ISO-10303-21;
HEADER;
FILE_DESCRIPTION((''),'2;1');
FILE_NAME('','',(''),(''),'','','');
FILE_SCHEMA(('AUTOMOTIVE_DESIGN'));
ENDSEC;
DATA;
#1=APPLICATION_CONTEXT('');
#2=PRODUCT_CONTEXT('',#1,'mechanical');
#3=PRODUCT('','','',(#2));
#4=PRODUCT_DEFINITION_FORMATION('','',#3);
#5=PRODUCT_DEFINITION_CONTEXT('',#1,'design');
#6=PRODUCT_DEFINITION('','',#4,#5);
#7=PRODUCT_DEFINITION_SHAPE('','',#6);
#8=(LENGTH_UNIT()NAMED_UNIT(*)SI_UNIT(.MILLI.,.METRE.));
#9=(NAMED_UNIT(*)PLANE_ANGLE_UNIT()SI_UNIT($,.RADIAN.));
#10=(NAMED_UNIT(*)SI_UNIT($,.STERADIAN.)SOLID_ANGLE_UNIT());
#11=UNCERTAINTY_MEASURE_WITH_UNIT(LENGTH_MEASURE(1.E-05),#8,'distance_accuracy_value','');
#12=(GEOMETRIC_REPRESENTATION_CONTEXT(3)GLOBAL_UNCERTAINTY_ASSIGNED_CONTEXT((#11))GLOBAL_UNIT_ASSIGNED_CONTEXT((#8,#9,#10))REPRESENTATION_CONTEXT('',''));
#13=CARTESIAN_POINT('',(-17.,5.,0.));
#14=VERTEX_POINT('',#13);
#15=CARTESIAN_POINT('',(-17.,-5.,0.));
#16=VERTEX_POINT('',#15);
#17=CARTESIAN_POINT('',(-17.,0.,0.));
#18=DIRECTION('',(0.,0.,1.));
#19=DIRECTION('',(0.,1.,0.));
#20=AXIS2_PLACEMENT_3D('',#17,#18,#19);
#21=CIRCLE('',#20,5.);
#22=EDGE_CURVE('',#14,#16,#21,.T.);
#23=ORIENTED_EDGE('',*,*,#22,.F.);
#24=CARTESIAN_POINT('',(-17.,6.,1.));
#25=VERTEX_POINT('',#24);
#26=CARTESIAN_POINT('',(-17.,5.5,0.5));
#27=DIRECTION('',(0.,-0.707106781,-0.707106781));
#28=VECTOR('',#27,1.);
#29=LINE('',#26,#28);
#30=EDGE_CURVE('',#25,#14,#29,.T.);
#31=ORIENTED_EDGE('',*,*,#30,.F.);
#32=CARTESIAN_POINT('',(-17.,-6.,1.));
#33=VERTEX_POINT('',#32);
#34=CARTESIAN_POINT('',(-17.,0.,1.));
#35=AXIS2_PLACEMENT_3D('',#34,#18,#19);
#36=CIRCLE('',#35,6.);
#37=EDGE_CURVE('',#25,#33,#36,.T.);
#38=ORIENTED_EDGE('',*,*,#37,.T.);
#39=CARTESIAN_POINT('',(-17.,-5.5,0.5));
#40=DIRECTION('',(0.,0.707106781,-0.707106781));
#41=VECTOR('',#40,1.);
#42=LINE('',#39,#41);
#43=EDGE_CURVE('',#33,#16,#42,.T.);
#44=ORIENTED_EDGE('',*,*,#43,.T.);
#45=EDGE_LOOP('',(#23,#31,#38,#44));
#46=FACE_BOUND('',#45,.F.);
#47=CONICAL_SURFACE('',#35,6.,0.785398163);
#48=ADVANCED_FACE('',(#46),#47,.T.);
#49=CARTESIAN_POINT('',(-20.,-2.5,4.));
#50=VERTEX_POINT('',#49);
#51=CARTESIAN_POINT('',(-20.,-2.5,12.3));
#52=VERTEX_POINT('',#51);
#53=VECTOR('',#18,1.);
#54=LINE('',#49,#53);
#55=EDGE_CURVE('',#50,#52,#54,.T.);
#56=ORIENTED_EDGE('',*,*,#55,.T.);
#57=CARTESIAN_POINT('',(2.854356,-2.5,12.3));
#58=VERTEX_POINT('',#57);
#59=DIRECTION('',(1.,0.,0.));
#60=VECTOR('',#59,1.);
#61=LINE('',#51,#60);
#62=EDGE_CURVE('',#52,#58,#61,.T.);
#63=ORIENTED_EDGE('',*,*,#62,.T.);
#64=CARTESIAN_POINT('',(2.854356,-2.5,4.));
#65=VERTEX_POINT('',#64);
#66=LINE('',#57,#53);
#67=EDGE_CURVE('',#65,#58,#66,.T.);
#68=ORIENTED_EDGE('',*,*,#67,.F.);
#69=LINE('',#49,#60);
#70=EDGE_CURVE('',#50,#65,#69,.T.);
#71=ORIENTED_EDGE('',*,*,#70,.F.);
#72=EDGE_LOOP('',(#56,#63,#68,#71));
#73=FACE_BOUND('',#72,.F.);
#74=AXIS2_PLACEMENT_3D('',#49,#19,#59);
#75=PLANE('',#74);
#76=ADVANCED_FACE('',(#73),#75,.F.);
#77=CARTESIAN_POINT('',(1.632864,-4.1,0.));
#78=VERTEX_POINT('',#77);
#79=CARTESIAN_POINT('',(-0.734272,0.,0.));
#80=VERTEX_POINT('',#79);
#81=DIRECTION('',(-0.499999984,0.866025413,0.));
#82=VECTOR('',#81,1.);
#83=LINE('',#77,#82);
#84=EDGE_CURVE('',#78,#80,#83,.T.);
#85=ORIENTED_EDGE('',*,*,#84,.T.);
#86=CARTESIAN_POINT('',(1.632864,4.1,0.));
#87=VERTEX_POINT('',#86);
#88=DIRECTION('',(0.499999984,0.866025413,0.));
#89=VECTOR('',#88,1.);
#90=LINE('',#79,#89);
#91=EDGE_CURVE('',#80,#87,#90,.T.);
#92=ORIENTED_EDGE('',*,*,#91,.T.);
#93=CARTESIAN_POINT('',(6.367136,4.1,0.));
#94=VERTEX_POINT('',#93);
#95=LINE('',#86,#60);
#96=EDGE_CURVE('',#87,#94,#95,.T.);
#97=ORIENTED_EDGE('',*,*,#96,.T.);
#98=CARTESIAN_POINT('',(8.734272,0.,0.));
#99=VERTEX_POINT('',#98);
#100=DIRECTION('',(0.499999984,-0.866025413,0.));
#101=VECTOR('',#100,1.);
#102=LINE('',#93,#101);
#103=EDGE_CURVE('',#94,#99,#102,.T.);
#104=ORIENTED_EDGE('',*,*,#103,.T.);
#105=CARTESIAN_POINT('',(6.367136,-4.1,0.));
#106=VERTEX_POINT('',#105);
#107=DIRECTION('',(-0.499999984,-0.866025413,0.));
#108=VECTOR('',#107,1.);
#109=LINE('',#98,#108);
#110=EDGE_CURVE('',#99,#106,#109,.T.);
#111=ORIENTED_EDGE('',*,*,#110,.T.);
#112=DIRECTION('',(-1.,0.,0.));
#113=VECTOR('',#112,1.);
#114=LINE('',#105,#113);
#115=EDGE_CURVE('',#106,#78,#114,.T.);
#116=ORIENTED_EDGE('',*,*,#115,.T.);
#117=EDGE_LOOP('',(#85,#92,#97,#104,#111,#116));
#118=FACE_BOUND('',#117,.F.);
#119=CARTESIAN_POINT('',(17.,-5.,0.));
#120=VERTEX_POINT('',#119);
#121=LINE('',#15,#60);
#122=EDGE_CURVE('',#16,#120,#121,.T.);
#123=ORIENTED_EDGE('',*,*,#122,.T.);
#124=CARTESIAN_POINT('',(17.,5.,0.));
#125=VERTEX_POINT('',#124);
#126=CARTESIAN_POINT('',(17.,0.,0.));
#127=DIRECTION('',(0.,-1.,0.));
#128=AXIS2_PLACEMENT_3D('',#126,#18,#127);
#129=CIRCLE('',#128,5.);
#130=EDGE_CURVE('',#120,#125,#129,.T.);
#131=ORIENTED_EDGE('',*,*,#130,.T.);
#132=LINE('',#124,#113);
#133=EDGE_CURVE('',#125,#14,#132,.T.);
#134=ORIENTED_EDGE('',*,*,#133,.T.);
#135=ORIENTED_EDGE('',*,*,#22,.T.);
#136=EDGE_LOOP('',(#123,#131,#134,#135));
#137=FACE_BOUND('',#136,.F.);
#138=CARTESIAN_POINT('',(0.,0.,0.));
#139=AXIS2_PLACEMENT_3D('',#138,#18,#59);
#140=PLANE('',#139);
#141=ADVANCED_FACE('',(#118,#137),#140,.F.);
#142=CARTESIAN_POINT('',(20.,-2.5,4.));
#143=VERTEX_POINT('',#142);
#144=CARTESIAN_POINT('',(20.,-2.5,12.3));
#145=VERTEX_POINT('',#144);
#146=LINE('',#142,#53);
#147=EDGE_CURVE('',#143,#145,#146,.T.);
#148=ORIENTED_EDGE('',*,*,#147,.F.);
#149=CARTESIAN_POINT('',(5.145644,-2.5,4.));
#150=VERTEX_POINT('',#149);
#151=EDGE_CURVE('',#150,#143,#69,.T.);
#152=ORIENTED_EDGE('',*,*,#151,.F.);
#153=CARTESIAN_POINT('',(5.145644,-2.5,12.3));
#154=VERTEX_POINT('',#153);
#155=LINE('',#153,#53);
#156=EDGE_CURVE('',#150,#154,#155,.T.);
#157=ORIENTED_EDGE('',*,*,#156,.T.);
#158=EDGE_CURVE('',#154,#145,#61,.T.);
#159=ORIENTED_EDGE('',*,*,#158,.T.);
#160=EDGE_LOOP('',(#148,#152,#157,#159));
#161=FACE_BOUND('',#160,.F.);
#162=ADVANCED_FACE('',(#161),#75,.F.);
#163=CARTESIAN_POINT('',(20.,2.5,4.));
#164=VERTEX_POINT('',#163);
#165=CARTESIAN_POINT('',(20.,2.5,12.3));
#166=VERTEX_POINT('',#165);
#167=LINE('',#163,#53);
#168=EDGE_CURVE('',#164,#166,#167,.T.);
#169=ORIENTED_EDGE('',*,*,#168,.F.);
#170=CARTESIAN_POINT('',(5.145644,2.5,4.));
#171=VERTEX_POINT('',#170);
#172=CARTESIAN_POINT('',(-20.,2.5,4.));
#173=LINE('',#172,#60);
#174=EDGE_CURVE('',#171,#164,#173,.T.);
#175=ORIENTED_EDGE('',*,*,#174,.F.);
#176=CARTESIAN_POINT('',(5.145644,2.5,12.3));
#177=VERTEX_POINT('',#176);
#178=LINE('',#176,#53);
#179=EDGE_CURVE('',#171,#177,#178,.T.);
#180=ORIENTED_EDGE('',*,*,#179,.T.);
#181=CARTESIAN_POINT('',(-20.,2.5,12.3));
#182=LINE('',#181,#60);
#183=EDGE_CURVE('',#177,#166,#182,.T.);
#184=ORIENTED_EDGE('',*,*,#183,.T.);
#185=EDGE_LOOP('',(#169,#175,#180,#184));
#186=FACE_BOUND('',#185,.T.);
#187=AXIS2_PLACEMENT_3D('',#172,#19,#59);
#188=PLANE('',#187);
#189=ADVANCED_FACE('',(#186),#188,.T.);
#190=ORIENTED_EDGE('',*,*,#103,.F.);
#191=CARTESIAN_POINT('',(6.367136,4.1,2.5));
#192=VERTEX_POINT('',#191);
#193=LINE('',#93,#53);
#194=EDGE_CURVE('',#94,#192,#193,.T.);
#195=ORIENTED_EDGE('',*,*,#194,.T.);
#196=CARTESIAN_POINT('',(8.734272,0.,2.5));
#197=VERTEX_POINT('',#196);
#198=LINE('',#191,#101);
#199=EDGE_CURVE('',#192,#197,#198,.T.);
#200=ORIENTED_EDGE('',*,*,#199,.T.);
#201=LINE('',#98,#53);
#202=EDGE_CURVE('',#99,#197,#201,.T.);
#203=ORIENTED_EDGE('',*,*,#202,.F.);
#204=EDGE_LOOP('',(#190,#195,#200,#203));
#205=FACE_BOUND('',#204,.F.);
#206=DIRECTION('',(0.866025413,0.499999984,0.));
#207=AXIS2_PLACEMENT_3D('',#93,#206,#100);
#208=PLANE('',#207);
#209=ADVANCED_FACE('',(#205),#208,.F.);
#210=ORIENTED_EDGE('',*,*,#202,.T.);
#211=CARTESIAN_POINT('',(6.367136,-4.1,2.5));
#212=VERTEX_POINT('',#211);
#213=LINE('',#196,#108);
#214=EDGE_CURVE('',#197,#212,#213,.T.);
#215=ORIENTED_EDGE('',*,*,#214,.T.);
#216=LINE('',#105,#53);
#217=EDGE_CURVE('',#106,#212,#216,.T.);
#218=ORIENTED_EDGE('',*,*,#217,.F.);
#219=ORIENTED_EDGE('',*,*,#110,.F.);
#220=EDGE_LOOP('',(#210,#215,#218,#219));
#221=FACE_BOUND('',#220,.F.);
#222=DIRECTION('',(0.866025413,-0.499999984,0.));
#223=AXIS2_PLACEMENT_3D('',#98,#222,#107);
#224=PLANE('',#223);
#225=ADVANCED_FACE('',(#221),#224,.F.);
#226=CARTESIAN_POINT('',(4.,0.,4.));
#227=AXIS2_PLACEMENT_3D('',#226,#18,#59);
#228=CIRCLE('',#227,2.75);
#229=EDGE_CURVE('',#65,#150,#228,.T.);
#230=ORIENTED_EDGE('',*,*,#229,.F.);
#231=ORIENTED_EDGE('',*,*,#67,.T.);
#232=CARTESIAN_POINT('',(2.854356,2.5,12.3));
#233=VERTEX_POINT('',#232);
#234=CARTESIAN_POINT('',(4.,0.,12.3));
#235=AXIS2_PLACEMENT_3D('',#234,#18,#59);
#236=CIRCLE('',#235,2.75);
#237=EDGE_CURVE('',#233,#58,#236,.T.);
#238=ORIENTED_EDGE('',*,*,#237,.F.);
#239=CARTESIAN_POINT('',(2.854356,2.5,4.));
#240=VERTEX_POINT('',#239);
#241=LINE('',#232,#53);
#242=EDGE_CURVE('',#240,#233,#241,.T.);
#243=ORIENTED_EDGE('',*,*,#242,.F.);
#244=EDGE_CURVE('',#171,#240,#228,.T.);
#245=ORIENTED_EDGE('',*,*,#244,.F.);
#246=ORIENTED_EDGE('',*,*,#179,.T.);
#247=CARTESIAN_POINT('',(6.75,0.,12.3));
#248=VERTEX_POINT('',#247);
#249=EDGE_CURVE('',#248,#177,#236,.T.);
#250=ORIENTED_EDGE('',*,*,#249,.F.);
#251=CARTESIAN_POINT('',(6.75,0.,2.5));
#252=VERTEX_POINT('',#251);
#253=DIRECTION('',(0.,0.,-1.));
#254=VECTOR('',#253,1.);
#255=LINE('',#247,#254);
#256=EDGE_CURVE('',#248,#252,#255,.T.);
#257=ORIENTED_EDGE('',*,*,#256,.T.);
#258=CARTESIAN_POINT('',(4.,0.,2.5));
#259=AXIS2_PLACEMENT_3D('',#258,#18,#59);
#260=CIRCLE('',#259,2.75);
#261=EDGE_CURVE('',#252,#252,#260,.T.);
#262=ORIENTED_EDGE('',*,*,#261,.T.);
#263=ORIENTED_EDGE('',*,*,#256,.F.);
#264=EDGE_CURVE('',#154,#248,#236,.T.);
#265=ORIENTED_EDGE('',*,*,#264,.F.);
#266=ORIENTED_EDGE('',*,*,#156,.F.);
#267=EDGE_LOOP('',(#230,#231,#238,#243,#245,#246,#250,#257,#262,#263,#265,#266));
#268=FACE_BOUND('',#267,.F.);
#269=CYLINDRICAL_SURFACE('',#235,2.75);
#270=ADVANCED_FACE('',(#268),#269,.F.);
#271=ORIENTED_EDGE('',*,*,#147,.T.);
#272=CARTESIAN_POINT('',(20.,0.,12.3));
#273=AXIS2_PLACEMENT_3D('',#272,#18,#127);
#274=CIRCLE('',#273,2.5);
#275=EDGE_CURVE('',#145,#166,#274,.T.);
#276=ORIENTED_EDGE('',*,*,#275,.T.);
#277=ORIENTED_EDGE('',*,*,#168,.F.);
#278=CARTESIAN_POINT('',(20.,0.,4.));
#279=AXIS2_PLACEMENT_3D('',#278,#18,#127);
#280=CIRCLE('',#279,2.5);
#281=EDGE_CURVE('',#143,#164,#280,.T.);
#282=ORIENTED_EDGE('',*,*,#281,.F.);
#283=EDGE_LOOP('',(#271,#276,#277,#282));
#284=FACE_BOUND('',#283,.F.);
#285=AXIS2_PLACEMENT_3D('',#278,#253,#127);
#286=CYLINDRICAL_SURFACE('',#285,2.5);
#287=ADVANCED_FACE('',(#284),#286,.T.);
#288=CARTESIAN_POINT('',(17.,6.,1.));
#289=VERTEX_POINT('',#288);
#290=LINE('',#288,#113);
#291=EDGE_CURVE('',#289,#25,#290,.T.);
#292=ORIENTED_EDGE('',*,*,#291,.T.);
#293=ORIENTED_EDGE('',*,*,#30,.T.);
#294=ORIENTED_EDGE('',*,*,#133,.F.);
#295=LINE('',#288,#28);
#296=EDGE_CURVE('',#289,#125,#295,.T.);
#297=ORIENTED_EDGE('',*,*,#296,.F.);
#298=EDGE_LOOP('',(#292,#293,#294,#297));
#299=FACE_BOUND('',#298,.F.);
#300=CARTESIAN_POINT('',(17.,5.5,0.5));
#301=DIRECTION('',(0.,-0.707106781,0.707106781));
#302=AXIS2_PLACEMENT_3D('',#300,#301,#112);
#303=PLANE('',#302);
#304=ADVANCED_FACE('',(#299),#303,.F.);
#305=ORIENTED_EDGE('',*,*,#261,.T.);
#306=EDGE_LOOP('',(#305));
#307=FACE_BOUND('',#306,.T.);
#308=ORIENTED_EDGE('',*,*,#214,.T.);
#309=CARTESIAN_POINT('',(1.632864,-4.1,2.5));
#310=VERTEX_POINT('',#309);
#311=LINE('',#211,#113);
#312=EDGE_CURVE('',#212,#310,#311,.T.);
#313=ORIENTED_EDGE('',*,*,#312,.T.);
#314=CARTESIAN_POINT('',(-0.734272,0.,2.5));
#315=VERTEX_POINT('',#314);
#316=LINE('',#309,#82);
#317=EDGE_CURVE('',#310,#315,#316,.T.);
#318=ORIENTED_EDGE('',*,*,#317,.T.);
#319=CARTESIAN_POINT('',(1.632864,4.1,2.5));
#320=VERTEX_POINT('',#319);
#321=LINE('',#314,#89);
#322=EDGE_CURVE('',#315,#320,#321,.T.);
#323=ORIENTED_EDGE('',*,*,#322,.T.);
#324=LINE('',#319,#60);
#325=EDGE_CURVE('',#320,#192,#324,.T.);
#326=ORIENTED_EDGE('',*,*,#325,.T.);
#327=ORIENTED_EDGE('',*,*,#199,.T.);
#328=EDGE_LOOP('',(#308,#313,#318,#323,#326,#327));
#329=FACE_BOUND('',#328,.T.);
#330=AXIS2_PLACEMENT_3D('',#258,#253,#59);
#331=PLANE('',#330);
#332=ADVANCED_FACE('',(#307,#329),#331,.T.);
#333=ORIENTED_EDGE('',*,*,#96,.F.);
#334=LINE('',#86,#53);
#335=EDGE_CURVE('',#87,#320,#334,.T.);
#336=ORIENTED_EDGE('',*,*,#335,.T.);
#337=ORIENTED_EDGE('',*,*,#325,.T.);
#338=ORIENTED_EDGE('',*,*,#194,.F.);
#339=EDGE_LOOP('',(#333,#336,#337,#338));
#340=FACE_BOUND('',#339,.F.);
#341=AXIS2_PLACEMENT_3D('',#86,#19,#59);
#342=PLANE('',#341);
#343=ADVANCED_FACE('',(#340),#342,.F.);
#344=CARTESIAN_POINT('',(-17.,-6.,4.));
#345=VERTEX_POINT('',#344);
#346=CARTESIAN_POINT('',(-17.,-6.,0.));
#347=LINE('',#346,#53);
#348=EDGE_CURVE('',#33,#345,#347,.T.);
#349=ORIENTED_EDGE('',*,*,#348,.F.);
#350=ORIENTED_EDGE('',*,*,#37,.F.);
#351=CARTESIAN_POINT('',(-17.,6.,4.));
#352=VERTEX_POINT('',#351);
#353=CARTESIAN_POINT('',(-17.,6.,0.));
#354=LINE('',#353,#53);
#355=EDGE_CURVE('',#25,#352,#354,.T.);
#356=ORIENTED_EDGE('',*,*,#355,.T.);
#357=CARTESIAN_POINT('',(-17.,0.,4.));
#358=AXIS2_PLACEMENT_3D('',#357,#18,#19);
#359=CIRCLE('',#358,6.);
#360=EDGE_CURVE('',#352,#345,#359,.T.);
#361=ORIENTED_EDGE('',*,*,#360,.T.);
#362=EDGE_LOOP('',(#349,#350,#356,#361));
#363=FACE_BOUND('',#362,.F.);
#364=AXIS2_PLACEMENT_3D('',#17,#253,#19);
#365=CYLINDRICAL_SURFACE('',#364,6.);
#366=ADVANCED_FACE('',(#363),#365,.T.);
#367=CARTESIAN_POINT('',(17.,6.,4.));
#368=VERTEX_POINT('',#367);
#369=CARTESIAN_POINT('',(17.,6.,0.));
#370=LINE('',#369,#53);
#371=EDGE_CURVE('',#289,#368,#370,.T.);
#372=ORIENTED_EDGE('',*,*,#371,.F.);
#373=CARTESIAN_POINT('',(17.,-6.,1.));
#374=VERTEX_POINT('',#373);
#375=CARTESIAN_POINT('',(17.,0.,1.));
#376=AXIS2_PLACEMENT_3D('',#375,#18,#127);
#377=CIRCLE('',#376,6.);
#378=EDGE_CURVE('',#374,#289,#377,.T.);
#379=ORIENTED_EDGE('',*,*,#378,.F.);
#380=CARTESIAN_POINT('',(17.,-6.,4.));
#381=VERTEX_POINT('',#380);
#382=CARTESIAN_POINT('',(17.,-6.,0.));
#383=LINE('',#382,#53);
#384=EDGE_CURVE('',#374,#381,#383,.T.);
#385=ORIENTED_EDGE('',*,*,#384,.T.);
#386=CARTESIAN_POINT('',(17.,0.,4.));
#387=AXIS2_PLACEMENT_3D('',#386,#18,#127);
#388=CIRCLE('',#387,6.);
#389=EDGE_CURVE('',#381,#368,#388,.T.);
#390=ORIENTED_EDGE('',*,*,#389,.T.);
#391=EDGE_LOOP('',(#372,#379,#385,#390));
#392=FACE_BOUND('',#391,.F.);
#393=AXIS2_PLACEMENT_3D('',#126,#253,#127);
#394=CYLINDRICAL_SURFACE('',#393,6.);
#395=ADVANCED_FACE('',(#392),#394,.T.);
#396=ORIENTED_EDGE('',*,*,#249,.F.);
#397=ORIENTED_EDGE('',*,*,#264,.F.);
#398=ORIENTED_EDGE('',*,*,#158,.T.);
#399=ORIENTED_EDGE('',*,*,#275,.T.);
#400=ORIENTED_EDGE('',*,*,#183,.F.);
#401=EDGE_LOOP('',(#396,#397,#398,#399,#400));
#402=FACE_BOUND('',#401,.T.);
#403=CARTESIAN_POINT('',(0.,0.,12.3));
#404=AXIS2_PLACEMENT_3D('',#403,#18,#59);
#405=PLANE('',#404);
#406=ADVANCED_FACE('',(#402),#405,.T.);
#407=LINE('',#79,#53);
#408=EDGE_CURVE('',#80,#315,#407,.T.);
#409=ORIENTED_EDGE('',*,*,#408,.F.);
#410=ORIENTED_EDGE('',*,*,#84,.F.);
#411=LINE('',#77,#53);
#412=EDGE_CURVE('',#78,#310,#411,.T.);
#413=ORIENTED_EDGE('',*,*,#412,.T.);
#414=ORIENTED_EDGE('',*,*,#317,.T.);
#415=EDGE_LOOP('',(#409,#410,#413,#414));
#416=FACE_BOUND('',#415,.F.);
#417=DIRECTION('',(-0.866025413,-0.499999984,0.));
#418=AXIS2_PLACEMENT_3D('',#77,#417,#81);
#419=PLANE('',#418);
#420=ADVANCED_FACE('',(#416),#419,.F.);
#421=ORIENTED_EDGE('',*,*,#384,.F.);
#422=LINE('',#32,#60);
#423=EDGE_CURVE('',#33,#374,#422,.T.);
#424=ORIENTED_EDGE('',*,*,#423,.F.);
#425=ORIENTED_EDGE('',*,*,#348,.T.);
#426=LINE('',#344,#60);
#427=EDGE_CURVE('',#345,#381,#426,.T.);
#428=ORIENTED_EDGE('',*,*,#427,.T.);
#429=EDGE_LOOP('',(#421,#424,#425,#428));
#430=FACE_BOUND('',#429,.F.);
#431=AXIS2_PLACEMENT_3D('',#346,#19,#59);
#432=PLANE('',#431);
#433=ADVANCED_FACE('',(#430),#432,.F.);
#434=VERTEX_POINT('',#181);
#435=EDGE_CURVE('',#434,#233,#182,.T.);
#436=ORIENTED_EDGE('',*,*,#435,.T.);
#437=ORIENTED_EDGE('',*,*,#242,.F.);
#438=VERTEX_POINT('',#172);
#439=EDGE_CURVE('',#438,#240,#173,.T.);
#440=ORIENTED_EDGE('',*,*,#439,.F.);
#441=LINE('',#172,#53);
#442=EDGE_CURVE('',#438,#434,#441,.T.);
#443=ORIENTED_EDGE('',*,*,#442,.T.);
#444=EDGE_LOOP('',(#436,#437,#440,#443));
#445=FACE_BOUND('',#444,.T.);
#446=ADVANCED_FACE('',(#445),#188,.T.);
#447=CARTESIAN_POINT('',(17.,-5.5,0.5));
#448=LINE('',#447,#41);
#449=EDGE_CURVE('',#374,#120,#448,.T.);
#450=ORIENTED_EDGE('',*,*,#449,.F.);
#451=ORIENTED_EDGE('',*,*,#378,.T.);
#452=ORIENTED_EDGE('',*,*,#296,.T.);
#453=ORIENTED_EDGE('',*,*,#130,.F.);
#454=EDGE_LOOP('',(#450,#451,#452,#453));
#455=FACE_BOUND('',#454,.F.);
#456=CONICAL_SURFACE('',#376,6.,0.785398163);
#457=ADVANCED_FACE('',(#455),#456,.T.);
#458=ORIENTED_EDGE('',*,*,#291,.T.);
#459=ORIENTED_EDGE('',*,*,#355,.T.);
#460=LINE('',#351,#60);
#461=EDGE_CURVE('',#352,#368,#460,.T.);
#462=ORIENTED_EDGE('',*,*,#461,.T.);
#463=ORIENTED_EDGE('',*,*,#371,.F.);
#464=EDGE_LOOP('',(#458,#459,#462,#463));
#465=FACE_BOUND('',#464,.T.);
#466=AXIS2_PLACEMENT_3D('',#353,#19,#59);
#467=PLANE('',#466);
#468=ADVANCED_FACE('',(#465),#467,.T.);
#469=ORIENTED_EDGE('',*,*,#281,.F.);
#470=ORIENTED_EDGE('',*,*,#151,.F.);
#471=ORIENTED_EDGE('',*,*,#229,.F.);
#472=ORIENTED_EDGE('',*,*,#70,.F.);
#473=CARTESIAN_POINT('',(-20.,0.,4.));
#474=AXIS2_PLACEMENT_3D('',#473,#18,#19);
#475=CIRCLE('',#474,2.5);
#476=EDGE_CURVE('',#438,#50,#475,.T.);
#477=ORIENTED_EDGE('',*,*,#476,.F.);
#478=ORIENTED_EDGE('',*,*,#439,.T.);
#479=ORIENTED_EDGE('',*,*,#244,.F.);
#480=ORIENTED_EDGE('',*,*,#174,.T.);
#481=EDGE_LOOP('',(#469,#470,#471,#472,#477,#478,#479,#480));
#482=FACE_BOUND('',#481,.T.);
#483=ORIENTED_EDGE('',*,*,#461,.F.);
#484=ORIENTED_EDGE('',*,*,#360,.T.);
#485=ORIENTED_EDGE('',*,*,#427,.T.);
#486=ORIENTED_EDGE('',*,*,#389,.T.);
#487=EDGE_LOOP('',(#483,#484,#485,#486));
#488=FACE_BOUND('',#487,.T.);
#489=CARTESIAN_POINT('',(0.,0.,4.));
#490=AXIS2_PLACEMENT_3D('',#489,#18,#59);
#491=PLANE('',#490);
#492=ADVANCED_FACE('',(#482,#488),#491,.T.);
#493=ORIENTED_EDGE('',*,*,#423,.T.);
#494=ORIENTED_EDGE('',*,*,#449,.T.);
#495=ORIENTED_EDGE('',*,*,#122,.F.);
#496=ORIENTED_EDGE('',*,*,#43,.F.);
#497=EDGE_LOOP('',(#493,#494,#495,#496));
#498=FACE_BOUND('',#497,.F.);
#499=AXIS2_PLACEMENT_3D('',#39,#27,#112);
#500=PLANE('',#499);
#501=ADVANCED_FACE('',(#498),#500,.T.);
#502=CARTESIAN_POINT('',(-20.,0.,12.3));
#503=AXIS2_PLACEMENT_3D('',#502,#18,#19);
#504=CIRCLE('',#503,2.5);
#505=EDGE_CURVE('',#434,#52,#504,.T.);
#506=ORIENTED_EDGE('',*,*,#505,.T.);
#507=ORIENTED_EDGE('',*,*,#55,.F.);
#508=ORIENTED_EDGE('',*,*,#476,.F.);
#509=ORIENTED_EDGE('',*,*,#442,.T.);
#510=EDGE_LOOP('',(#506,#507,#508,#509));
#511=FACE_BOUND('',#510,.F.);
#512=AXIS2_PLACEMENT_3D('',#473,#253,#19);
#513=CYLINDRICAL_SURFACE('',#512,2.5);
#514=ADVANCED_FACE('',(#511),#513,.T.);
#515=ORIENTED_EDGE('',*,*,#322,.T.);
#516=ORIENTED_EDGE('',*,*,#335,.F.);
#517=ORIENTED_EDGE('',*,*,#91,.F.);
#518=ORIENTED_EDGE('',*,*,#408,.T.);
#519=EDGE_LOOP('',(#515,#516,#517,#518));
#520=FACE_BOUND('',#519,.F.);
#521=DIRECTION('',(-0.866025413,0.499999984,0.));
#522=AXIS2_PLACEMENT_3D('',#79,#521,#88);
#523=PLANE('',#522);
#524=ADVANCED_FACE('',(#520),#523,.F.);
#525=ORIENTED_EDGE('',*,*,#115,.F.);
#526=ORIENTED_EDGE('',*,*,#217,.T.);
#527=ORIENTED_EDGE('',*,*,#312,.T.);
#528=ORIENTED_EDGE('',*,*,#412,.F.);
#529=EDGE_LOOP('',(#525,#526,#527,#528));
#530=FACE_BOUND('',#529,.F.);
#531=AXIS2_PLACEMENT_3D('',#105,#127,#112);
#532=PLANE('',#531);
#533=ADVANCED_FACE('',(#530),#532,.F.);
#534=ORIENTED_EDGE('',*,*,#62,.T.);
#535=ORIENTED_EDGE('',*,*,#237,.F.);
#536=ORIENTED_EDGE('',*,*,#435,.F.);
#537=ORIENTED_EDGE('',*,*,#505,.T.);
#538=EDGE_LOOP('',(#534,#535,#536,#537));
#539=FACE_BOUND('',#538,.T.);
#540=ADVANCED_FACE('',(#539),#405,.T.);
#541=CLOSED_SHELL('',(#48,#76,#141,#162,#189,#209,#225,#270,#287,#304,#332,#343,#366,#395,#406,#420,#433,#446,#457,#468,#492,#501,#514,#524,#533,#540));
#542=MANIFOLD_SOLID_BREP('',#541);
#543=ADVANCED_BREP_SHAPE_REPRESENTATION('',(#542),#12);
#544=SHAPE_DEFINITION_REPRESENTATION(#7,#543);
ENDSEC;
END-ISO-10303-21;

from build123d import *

# Parameters (mm, degrees)
PAD_DEPTH       = 4
PAD001_DEPTH    = 8.3
SKETCH002_R     = 2.75
POCKET_DEPTH    = 12.301
POCKET001_DEPTH = 2.5
CHAMFER_SIZE    = 1


with BuildPart() as part:
    # Sketch → Pad (new body)
    with BuildSketch(Plane.XY):
        with BuildLine():
            ThreePointArc((-17, 6), (-23, 0), (-17, -6))
            Line((-17, -6), (17, -6))
            ThreePointArc((17, -6), (23, 0), (17, 6))
            Line((-17, 6), (17, 6))
        make_face()
    extrude(amount=PAD_DEPTH)

    # Sketch001 → Pad001 (new body)
    with BuildSketch(Plane.XY.offset(4)):
        with BuildLine():
            ThreePointArc((-20, 2.5), (-22.5, 0), (-20, -2.5))
            Line((-20, -2.5), (20, -2.5))
            ThreePointArc((20, -2.5), (22.5, 0), (20, 2.5))
            Line((-20, 2.5), (20, 2.5))
        make_face()
    extrude(amount=PAD001_DEPTH)

    # Sketch002 → Pocket (cut, through all)
    with BuildSketch(Plane.XY.offset(12.3)):
        with Locations((4, 0)):
            Circle(SKETCH002_R)
    extrude(amount=-POCKET_DEPTH, mode=Mode.SUBTRACT)

    # Sketch003 → Pocket001 (cut)
    with BuildSketch(Plane(origin=(0, 0, 0), x_dir=(1, 0, 0), z_dir=(0, 0, -1))):
        Polygon((8.734272, 0), (6.367136, 4.1), (1.632864, 4.1), (-0.734272, 0), (1.632864, -4.1), (6.367136, -4.1), align=None)
    extrude(amount=-POCKET001_DEPTH, mode=Mode.SUBTRACT)

    # Chamfer
    chamfer_edges = [part.edges().sort_by_distance(p)[0] for p in [
        (0, -6, 0),
    ]]
    chamfer(chamfer_edges, length=CHAMFER_SIZE)


solid = part.part
